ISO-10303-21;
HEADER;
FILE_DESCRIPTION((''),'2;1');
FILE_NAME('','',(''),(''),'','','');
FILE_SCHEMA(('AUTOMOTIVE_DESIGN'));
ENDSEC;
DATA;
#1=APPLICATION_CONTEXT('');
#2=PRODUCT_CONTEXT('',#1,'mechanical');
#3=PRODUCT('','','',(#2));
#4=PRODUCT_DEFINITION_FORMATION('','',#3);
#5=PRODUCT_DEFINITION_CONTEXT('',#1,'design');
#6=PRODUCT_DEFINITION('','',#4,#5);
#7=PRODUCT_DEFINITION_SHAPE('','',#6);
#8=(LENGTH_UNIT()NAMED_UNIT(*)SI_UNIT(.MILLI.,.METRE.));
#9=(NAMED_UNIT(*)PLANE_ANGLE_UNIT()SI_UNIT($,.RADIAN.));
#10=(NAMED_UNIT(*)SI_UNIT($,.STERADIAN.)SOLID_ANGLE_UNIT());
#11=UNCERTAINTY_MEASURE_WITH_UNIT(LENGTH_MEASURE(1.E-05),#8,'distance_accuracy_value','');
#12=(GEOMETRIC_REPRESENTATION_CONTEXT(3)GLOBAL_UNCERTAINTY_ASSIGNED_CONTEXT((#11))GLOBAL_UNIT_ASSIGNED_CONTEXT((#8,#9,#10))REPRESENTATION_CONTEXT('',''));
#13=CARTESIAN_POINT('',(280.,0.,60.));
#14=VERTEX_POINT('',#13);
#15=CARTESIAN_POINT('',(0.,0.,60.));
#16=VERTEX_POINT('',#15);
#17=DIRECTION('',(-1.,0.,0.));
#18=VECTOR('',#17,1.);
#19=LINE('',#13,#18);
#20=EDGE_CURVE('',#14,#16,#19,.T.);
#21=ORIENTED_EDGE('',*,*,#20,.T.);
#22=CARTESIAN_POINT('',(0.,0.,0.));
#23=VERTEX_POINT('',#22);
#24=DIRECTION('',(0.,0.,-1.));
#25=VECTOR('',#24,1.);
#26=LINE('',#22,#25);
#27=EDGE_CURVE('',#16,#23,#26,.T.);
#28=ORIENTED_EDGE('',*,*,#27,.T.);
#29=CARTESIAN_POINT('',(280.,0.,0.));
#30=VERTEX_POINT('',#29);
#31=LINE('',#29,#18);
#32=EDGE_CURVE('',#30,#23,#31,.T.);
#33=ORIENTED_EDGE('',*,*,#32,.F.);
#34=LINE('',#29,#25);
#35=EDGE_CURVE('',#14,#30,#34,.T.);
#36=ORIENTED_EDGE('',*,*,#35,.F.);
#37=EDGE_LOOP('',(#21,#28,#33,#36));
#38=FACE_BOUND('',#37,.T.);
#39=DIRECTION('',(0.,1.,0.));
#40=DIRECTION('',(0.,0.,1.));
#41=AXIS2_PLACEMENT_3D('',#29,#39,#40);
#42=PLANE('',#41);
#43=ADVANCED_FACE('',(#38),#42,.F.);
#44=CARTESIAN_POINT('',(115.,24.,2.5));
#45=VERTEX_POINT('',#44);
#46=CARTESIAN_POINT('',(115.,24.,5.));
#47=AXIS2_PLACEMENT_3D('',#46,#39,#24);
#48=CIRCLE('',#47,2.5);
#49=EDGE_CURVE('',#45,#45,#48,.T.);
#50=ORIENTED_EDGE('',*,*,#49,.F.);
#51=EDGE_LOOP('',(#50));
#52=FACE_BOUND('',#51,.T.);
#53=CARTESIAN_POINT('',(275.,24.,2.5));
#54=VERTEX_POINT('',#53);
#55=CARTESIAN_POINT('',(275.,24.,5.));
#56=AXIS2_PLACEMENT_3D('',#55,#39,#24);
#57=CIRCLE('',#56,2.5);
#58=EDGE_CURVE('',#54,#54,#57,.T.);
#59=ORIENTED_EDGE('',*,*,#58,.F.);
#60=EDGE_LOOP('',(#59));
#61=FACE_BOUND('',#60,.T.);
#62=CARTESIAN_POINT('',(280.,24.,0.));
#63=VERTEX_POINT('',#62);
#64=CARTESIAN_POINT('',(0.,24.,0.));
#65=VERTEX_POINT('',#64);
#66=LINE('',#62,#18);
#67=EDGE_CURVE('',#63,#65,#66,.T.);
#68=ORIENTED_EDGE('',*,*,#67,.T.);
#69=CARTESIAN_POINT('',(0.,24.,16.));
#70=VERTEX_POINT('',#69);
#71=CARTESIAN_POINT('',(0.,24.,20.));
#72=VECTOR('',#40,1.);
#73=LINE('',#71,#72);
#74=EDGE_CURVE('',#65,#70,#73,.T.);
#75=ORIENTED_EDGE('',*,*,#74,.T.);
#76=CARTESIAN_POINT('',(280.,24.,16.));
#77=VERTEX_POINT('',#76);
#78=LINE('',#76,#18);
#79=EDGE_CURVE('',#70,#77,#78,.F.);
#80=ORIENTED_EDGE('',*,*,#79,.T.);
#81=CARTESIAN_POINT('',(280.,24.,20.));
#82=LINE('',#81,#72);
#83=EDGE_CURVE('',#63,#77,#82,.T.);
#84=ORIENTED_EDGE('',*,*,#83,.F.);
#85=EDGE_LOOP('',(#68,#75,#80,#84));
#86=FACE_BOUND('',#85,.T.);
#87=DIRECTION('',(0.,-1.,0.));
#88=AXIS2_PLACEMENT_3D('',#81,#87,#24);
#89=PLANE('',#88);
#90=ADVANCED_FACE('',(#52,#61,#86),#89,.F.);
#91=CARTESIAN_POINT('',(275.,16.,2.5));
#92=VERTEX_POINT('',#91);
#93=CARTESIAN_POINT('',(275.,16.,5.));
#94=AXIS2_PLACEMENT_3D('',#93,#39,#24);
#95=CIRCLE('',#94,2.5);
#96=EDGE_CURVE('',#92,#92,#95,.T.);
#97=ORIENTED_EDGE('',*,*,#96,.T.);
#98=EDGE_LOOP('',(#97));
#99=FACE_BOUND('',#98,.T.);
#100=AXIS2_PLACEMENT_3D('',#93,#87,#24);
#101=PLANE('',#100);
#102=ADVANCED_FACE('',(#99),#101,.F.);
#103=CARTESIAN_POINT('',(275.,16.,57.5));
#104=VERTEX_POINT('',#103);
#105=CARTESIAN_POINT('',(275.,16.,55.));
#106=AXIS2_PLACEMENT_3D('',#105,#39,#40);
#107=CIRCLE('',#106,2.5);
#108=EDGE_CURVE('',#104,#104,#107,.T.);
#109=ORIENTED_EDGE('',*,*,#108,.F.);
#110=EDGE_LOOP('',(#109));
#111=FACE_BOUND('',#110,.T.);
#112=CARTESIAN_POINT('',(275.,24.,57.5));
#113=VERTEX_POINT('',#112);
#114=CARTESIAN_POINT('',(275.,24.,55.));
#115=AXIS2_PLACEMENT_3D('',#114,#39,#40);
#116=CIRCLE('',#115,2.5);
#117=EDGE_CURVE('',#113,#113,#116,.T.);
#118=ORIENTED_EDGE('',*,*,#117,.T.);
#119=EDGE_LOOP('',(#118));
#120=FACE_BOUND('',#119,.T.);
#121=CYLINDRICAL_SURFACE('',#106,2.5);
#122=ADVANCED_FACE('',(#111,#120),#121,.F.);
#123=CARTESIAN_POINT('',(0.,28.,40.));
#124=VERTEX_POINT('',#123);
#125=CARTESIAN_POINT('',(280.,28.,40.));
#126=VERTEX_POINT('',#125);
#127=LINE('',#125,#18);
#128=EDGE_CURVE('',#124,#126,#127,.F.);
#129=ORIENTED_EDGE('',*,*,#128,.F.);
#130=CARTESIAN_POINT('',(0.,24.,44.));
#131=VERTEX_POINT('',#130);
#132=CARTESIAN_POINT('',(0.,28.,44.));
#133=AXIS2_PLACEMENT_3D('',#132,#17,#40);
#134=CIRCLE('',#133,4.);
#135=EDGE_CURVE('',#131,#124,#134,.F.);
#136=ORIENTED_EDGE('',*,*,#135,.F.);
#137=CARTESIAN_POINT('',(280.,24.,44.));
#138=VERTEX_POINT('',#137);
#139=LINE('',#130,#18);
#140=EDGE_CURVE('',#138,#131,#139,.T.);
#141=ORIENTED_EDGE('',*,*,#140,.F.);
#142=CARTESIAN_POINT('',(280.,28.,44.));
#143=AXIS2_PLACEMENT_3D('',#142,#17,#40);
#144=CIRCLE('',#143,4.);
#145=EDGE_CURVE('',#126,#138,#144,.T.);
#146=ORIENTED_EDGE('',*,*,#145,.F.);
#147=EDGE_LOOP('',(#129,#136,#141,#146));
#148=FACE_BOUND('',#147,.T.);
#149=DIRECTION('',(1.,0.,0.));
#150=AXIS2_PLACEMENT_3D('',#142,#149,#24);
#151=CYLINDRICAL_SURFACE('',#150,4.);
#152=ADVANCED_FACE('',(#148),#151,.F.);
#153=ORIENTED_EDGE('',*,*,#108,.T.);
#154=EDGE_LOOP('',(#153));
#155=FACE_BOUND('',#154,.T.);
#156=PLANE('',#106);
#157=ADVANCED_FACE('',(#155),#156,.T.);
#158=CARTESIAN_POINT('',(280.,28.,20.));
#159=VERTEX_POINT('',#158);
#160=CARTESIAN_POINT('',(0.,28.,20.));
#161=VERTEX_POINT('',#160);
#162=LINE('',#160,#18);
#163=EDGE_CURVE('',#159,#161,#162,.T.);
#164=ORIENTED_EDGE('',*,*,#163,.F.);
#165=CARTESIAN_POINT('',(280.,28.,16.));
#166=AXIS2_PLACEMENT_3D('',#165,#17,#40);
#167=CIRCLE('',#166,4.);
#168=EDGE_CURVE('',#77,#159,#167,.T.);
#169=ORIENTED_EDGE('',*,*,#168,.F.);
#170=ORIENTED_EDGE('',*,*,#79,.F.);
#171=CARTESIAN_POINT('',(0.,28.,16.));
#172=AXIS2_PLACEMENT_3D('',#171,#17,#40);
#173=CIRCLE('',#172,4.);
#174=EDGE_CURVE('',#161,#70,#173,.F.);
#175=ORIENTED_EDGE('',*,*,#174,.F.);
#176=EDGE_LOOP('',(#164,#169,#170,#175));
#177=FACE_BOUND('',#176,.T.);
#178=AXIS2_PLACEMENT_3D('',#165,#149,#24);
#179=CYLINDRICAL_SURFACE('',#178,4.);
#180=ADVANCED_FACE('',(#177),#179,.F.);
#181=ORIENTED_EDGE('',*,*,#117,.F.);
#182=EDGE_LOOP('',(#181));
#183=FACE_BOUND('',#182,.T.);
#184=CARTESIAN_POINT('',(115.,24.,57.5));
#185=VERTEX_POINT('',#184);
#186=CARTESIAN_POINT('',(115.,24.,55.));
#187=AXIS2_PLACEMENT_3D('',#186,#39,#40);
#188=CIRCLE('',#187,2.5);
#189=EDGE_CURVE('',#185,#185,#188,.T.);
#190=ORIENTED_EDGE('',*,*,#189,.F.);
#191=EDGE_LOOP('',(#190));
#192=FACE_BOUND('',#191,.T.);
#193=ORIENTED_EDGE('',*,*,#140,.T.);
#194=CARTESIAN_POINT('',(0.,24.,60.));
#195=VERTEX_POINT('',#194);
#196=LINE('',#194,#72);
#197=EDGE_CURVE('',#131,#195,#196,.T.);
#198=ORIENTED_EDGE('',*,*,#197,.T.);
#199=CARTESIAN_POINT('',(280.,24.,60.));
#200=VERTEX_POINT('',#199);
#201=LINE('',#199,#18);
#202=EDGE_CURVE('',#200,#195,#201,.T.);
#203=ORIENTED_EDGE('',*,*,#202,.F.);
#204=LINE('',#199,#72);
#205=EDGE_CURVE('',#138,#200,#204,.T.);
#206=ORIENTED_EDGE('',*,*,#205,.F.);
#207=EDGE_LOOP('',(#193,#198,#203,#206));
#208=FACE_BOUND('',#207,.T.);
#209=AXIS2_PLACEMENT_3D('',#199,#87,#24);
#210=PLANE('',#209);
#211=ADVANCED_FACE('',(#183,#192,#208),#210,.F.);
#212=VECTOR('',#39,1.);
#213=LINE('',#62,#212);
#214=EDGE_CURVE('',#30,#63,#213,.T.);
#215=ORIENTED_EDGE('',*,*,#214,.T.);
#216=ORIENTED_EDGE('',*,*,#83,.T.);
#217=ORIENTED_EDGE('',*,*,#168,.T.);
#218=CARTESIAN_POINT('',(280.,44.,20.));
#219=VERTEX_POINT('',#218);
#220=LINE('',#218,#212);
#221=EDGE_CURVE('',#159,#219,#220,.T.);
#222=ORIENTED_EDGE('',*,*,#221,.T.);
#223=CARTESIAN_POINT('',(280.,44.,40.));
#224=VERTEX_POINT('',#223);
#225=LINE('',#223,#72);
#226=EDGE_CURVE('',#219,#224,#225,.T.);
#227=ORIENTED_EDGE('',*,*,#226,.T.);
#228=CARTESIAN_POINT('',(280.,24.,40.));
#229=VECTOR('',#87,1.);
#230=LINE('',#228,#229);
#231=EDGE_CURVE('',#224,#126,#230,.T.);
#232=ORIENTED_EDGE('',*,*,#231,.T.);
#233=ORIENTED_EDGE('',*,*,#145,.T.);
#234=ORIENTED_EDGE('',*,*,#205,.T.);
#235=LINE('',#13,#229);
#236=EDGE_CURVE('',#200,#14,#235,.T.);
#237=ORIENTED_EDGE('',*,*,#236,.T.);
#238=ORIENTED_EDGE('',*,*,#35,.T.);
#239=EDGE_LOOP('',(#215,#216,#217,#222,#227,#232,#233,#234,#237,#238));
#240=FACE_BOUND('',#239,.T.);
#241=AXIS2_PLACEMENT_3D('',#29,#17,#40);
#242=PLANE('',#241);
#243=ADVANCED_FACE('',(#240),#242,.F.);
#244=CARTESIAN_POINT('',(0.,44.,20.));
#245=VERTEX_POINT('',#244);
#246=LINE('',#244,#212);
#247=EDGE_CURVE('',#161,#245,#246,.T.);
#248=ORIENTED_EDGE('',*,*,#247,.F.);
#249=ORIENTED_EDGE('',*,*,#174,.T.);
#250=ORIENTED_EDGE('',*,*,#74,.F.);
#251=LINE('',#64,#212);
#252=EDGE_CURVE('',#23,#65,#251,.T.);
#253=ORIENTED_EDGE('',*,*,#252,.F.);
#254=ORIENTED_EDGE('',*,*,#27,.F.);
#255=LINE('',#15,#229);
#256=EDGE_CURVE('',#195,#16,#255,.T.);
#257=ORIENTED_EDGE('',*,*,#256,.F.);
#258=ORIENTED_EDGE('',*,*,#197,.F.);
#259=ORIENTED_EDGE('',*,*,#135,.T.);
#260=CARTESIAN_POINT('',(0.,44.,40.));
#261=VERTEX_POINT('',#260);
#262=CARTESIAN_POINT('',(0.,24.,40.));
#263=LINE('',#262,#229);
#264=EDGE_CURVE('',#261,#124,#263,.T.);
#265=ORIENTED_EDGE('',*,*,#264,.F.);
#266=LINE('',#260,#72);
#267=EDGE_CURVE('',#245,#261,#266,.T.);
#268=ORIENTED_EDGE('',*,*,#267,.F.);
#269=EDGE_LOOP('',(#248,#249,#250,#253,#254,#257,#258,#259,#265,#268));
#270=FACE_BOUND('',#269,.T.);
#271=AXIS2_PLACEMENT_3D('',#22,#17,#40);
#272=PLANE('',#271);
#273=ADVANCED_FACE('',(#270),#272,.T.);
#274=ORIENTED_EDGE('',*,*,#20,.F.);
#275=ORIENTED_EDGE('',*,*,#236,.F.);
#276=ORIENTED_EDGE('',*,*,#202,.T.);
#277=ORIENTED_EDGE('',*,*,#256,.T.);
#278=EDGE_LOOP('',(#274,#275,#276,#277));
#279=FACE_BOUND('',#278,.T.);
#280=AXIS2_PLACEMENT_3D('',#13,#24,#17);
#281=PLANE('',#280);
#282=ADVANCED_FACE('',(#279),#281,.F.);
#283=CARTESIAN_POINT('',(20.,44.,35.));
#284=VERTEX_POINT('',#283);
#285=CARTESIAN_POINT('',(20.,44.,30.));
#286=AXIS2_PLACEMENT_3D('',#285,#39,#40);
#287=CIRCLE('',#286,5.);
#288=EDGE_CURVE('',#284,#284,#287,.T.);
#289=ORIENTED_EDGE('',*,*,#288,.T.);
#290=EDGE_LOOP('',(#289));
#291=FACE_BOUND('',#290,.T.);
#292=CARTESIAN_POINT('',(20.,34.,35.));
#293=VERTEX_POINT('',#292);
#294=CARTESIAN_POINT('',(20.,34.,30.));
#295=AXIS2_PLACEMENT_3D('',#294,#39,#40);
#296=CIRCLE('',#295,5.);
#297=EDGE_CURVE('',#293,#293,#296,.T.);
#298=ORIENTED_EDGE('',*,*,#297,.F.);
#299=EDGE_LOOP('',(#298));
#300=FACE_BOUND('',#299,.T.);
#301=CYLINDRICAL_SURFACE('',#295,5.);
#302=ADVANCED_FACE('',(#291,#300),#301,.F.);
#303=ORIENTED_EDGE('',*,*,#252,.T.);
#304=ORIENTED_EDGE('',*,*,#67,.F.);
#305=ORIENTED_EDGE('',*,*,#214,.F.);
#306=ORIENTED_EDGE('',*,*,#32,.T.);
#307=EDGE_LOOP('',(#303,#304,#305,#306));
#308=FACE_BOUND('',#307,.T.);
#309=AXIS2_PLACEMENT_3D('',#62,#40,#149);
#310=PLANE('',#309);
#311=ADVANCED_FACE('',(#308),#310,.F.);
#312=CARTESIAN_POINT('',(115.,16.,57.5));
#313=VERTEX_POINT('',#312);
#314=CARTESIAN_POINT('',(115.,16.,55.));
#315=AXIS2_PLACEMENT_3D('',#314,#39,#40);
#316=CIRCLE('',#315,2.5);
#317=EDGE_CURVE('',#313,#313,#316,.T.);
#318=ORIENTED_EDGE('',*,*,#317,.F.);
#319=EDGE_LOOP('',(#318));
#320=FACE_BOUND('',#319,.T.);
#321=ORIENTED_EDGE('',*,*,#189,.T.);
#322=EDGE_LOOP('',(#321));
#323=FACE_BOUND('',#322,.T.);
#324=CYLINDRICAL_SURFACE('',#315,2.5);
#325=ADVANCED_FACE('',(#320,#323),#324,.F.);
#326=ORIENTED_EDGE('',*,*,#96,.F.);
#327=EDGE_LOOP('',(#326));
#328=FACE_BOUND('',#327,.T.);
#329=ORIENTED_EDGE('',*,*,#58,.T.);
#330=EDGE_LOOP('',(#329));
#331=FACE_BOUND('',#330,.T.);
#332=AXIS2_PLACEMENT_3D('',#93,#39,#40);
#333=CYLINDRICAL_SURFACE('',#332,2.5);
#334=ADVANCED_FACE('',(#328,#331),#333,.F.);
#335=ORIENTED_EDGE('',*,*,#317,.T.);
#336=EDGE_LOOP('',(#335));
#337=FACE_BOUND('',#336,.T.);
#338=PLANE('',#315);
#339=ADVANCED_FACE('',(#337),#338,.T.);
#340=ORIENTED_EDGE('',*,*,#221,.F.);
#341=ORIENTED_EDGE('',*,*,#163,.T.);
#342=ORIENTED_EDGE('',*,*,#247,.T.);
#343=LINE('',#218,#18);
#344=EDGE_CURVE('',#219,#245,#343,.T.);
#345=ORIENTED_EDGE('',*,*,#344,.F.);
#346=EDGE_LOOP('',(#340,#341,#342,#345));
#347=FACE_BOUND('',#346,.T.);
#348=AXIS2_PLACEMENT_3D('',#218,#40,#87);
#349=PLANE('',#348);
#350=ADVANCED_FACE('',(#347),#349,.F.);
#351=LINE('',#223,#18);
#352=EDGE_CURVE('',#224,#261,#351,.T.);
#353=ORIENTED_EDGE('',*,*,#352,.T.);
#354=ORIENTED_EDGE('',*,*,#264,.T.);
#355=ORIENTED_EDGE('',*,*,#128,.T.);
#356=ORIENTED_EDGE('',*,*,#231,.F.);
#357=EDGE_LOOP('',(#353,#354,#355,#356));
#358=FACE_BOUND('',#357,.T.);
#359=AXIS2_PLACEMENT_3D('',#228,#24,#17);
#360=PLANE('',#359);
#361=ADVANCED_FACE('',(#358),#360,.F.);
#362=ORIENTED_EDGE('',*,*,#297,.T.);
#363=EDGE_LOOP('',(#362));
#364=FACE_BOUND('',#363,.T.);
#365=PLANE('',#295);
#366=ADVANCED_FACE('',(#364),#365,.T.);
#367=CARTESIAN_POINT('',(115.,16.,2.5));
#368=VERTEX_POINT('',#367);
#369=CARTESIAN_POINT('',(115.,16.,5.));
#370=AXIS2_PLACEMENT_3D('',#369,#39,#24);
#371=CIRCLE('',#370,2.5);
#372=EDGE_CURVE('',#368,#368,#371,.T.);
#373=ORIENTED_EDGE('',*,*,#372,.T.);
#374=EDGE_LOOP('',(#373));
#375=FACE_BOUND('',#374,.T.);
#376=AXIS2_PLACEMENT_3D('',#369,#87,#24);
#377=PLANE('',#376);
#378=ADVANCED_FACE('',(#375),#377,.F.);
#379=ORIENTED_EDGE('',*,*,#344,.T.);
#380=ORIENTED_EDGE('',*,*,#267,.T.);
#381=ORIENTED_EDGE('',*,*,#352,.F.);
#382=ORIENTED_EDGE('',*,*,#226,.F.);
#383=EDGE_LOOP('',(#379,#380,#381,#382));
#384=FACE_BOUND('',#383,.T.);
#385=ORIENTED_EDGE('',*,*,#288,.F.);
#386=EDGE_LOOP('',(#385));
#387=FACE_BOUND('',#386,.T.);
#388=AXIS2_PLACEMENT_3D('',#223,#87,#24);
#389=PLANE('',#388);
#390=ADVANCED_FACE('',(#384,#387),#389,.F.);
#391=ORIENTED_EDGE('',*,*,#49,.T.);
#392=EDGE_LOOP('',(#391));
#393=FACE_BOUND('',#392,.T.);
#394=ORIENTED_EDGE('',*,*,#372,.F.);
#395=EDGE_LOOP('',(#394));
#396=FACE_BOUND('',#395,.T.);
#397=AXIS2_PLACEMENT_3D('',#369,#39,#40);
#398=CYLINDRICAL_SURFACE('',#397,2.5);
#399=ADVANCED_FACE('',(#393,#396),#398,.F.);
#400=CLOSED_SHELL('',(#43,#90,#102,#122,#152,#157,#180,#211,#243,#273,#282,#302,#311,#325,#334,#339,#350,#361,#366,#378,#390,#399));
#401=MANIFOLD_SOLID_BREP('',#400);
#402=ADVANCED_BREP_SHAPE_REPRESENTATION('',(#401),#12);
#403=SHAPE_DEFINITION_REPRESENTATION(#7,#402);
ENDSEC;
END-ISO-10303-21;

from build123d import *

# Parameters (mm, degrees)
BOSS_EXTRUDE1_DEPTH = 280
SKETCH3_R           = 2.5
CUT_EXTRUDE2_DEPTH  = 8
FILLET1_R           = 4
SKETCH4_R           = 5
CUT_EXTRUDE3_DEPTH  = 10


with BuildPart() as part:
    # Sketch1 → Boss-Extrude1 (new body)
    with BuildSketch(Plane(origin=(0, 0, 0), x_dir=(0, 0, -1), z_dir=(1, 0, 0))):
        Polygon((0, 0), (-60, 0), (-60, 24), (-40, 24), (-40, 44), (-20, 44), (-20, 24), (0, 24), align=None)
    extrude(amount=BOSS_EXTRUDE1_DEPTH)

    # Sketch3 → Cut-Extrude2 (cut)
    with BuildSketch(Plane(origin=(0, 24, 0), x_dir=(1, 0, 0), z_dir=(0, 1, 0))):
        with Locations(Location((115, -55, 0), (0, 0, 270))):
            Circle(SKETCH3_R)
        with Locations(Location((275, -55, 0), (0, 0, 270))):
            Circle(SKETCH3_R)
        with Locations(Location((275, -5, 0), (0, 0, 90))):
            Circle(SKETCH3_R)
        with Locations(Location((115, -5, 0), (0, 0, 90))):
            Circle(SKETCH3_R)
    extrude(amount=-CUT_EXTRUDE2_DEPTH, mode=Mode.SUBTRACT)

    # Fillet1
    fillet1_edges = [part.edges().sort_by_distance(p)[0] for p in [
        (140, 24, 40),
        (140, 24, 20),
    ]]
    fillet(fillet1_edges, radius=FILLET1_R)

    # Sketch4 → Cut-Extrude3 (cut)
    with BuildSketch(Plane(origin=(0, 44, 0), x_dir=(1, 0, 0), z_dir=(0, 1, 0))):
        with Locations(Location((20, -30, 0), (0, 0, 270))):
            Circle(SKETCH4_R)
    extrude(amount=-CUT_EXTRUDE3_DEPTH, mode=Mode.SUBTRACT)


solid = part.part
